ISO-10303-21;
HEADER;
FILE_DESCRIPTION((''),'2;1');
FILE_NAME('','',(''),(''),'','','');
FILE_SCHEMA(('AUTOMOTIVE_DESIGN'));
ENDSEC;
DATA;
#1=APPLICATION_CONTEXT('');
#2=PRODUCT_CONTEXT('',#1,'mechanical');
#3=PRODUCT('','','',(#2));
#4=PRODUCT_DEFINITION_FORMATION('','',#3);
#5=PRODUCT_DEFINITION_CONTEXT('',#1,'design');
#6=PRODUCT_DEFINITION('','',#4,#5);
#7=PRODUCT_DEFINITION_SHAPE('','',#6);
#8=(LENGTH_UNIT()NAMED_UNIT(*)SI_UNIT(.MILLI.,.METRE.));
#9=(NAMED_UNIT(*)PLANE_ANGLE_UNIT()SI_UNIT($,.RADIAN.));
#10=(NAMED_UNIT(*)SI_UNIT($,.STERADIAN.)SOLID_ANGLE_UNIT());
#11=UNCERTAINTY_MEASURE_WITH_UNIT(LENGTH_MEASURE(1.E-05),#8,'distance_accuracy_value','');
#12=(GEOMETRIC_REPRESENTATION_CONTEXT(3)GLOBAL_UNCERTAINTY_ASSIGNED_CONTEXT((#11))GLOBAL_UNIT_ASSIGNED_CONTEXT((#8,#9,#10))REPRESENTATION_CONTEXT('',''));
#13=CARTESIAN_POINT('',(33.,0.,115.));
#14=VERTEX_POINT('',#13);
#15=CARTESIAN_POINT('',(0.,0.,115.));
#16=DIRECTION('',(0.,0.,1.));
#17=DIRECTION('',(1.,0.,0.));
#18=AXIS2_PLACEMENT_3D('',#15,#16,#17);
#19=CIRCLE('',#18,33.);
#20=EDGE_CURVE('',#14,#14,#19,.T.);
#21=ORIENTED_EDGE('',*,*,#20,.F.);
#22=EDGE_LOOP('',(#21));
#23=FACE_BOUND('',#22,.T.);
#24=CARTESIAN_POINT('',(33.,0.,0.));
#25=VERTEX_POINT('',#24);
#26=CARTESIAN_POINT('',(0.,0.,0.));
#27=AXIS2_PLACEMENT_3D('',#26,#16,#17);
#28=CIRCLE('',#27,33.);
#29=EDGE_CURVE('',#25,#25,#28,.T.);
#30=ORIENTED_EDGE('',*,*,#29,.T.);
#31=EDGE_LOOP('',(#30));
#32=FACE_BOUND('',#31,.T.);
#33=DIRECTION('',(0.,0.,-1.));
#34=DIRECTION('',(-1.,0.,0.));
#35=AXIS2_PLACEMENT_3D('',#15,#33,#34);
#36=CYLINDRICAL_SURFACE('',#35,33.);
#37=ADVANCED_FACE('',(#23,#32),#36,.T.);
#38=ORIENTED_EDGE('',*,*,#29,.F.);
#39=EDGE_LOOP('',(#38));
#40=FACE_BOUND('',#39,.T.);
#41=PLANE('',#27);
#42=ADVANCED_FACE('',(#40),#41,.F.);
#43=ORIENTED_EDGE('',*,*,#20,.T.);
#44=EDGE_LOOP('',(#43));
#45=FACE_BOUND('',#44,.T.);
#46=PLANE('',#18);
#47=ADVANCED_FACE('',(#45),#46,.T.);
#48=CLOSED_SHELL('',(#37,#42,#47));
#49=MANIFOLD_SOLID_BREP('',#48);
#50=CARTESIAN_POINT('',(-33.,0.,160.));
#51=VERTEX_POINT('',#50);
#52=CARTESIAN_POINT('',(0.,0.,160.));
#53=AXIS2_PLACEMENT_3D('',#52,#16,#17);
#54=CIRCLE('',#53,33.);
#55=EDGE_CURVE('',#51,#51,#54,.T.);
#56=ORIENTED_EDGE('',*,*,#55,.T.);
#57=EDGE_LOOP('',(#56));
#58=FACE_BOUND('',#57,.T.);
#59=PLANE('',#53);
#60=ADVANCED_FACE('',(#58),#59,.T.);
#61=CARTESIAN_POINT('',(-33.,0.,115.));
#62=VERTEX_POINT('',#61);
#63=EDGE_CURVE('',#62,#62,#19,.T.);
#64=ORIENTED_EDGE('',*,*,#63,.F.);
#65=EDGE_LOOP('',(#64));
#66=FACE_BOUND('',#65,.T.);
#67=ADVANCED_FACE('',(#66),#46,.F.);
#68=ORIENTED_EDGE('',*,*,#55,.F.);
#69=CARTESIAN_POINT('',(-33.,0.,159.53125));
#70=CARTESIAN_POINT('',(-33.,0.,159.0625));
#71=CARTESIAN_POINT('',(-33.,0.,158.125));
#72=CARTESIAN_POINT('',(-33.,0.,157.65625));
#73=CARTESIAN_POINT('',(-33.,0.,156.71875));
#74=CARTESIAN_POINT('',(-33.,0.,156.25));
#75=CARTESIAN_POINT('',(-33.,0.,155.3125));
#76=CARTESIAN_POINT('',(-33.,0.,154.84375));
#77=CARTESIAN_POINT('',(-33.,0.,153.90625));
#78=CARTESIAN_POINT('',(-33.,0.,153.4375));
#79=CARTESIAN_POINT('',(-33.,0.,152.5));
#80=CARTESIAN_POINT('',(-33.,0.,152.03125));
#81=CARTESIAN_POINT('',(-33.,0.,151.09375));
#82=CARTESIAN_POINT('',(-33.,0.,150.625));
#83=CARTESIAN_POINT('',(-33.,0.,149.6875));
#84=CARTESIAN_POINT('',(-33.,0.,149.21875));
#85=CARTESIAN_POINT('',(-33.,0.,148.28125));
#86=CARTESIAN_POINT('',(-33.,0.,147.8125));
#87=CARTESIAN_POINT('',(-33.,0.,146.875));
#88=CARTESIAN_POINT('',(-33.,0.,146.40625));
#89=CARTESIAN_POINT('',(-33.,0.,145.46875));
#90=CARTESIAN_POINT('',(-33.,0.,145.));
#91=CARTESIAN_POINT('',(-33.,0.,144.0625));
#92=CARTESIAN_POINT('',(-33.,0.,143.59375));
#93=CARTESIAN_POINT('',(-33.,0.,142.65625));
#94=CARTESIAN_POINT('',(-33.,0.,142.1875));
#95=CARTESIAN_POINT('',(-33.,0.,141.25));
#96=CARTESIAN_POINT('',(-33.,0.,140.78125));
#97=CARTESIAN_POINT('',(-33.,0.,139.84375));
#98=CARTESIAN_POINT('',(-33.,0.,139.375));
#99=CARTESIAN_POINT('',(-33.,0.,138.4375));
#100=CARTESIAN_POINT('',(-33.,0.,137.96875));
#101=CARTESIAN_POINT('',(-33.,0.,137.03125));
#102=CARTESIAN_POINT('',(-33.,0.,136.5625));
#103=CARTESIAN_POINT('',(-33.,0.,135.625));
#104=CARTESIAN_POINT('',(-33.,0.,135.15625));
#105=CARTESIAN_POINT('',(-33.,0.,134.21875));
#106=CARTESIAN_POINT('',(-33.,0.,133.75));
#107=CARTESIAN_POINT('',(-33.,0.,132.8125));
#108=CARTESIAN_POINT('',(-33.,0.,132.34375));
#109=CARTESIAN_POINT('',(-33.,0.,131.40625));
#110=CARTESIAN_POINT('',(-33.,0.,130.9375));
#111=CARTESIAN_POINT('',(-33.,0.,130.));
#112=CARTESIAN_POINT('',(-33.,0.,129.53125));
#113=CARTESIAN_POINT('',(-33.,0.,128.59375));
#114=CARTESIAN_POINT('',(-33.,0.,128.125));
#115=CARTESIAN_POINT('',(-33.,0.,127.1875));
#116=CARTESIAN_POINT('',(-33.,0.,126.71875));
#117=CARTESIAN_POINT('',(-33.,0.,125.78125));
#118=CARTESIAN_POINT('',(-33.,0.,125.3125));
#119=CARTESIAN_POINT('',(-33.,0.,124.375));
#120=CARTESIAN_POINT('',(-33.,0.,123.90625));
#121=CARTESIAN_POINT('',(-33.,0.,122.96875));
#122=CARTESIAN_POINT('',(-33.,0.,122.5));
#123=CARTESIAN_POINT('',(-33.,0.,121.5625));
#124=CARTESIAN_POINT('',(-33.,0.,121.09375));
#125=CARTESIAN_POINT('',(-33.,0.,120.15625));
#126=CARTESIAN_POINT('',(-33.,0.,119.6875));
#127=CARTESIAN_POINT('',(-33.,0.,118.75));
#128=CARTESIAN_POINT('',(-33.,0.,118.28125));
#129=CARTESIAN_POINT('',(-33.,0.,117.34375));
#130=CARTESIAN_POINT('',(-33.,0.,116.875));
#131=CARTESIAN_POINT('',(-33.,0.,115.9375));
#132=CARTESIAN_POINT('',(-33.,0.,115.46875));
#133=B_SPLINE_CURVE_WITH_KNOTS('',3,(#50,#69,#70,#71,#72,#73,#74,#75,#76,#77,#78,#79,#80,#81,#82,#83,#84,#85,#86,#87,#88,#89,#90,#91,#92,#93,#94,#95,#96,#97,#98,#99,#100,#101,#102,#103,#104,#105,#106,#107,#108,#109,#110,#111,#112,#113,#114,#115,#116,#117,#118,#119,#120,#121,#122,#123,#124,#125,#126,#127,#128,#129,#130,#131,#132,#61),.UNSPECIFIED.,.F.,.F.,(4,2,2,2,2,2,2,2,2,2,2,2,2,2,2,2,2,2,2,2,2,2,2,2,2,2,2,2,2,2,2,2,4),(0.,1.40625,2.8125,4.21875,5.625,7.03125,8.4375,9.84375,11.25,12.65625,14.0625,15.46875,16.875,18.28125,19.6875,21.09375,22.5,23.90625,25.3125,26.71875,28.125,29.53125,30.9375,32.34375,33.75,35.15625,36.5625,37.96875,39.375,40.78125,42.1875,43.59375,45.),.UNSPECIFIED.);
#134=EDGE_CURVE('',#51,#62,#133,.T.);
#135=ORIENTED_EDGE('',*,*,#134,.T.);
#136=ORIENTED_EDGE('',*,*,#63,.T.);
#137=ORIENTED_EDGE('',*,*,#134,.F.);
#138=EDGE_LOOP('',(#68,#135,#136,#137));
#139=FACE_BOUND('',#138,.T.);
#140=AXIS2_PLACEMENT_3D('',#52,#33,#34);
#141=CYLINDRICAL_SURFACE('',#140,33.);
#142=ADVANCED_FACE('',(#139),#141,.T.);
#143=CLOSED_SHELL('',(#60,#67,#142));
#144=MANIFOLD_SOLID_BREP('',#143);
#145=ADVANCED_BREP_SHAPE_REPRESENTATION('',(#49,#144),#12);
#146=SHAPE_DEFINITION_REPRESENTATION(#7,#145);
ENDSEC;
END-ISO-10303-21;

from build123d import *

# Parameters (mm, degrees)
SKETCH1_R                             = 33
CANSAT_COMPONENTS_ENVELOPE_DEPTH      = 115
SKETCH2_R                             = 33
PARACHUTE_AND_ANTENNAS_ENVELOPE_DEPTH = 45


with BuildPart() as part:
    # Sketch1 → Cansat components envelope (new body)
    with BuildSketch(Plane.XY):
        Circle(SKETCH1_R)
    extrude(amount=CANSAT_COMPONENTS_ENVELOPE_DEPTH)


with BuildPart() as body_2:
    # Sketch2 → Parachute and antennas envelope (new body)
    with BuildSketch(Plane.XY.offset(115)):
        with Locations(Location((0, 0, 0), (0, 0, 180))):
            Circle(SKETCH2_R)
    extrude(amount=PARACHUTE_AND_ANTENNAS_ENVELOPE_DEPTH)


solid = Compound([part.part, body_2.part])
